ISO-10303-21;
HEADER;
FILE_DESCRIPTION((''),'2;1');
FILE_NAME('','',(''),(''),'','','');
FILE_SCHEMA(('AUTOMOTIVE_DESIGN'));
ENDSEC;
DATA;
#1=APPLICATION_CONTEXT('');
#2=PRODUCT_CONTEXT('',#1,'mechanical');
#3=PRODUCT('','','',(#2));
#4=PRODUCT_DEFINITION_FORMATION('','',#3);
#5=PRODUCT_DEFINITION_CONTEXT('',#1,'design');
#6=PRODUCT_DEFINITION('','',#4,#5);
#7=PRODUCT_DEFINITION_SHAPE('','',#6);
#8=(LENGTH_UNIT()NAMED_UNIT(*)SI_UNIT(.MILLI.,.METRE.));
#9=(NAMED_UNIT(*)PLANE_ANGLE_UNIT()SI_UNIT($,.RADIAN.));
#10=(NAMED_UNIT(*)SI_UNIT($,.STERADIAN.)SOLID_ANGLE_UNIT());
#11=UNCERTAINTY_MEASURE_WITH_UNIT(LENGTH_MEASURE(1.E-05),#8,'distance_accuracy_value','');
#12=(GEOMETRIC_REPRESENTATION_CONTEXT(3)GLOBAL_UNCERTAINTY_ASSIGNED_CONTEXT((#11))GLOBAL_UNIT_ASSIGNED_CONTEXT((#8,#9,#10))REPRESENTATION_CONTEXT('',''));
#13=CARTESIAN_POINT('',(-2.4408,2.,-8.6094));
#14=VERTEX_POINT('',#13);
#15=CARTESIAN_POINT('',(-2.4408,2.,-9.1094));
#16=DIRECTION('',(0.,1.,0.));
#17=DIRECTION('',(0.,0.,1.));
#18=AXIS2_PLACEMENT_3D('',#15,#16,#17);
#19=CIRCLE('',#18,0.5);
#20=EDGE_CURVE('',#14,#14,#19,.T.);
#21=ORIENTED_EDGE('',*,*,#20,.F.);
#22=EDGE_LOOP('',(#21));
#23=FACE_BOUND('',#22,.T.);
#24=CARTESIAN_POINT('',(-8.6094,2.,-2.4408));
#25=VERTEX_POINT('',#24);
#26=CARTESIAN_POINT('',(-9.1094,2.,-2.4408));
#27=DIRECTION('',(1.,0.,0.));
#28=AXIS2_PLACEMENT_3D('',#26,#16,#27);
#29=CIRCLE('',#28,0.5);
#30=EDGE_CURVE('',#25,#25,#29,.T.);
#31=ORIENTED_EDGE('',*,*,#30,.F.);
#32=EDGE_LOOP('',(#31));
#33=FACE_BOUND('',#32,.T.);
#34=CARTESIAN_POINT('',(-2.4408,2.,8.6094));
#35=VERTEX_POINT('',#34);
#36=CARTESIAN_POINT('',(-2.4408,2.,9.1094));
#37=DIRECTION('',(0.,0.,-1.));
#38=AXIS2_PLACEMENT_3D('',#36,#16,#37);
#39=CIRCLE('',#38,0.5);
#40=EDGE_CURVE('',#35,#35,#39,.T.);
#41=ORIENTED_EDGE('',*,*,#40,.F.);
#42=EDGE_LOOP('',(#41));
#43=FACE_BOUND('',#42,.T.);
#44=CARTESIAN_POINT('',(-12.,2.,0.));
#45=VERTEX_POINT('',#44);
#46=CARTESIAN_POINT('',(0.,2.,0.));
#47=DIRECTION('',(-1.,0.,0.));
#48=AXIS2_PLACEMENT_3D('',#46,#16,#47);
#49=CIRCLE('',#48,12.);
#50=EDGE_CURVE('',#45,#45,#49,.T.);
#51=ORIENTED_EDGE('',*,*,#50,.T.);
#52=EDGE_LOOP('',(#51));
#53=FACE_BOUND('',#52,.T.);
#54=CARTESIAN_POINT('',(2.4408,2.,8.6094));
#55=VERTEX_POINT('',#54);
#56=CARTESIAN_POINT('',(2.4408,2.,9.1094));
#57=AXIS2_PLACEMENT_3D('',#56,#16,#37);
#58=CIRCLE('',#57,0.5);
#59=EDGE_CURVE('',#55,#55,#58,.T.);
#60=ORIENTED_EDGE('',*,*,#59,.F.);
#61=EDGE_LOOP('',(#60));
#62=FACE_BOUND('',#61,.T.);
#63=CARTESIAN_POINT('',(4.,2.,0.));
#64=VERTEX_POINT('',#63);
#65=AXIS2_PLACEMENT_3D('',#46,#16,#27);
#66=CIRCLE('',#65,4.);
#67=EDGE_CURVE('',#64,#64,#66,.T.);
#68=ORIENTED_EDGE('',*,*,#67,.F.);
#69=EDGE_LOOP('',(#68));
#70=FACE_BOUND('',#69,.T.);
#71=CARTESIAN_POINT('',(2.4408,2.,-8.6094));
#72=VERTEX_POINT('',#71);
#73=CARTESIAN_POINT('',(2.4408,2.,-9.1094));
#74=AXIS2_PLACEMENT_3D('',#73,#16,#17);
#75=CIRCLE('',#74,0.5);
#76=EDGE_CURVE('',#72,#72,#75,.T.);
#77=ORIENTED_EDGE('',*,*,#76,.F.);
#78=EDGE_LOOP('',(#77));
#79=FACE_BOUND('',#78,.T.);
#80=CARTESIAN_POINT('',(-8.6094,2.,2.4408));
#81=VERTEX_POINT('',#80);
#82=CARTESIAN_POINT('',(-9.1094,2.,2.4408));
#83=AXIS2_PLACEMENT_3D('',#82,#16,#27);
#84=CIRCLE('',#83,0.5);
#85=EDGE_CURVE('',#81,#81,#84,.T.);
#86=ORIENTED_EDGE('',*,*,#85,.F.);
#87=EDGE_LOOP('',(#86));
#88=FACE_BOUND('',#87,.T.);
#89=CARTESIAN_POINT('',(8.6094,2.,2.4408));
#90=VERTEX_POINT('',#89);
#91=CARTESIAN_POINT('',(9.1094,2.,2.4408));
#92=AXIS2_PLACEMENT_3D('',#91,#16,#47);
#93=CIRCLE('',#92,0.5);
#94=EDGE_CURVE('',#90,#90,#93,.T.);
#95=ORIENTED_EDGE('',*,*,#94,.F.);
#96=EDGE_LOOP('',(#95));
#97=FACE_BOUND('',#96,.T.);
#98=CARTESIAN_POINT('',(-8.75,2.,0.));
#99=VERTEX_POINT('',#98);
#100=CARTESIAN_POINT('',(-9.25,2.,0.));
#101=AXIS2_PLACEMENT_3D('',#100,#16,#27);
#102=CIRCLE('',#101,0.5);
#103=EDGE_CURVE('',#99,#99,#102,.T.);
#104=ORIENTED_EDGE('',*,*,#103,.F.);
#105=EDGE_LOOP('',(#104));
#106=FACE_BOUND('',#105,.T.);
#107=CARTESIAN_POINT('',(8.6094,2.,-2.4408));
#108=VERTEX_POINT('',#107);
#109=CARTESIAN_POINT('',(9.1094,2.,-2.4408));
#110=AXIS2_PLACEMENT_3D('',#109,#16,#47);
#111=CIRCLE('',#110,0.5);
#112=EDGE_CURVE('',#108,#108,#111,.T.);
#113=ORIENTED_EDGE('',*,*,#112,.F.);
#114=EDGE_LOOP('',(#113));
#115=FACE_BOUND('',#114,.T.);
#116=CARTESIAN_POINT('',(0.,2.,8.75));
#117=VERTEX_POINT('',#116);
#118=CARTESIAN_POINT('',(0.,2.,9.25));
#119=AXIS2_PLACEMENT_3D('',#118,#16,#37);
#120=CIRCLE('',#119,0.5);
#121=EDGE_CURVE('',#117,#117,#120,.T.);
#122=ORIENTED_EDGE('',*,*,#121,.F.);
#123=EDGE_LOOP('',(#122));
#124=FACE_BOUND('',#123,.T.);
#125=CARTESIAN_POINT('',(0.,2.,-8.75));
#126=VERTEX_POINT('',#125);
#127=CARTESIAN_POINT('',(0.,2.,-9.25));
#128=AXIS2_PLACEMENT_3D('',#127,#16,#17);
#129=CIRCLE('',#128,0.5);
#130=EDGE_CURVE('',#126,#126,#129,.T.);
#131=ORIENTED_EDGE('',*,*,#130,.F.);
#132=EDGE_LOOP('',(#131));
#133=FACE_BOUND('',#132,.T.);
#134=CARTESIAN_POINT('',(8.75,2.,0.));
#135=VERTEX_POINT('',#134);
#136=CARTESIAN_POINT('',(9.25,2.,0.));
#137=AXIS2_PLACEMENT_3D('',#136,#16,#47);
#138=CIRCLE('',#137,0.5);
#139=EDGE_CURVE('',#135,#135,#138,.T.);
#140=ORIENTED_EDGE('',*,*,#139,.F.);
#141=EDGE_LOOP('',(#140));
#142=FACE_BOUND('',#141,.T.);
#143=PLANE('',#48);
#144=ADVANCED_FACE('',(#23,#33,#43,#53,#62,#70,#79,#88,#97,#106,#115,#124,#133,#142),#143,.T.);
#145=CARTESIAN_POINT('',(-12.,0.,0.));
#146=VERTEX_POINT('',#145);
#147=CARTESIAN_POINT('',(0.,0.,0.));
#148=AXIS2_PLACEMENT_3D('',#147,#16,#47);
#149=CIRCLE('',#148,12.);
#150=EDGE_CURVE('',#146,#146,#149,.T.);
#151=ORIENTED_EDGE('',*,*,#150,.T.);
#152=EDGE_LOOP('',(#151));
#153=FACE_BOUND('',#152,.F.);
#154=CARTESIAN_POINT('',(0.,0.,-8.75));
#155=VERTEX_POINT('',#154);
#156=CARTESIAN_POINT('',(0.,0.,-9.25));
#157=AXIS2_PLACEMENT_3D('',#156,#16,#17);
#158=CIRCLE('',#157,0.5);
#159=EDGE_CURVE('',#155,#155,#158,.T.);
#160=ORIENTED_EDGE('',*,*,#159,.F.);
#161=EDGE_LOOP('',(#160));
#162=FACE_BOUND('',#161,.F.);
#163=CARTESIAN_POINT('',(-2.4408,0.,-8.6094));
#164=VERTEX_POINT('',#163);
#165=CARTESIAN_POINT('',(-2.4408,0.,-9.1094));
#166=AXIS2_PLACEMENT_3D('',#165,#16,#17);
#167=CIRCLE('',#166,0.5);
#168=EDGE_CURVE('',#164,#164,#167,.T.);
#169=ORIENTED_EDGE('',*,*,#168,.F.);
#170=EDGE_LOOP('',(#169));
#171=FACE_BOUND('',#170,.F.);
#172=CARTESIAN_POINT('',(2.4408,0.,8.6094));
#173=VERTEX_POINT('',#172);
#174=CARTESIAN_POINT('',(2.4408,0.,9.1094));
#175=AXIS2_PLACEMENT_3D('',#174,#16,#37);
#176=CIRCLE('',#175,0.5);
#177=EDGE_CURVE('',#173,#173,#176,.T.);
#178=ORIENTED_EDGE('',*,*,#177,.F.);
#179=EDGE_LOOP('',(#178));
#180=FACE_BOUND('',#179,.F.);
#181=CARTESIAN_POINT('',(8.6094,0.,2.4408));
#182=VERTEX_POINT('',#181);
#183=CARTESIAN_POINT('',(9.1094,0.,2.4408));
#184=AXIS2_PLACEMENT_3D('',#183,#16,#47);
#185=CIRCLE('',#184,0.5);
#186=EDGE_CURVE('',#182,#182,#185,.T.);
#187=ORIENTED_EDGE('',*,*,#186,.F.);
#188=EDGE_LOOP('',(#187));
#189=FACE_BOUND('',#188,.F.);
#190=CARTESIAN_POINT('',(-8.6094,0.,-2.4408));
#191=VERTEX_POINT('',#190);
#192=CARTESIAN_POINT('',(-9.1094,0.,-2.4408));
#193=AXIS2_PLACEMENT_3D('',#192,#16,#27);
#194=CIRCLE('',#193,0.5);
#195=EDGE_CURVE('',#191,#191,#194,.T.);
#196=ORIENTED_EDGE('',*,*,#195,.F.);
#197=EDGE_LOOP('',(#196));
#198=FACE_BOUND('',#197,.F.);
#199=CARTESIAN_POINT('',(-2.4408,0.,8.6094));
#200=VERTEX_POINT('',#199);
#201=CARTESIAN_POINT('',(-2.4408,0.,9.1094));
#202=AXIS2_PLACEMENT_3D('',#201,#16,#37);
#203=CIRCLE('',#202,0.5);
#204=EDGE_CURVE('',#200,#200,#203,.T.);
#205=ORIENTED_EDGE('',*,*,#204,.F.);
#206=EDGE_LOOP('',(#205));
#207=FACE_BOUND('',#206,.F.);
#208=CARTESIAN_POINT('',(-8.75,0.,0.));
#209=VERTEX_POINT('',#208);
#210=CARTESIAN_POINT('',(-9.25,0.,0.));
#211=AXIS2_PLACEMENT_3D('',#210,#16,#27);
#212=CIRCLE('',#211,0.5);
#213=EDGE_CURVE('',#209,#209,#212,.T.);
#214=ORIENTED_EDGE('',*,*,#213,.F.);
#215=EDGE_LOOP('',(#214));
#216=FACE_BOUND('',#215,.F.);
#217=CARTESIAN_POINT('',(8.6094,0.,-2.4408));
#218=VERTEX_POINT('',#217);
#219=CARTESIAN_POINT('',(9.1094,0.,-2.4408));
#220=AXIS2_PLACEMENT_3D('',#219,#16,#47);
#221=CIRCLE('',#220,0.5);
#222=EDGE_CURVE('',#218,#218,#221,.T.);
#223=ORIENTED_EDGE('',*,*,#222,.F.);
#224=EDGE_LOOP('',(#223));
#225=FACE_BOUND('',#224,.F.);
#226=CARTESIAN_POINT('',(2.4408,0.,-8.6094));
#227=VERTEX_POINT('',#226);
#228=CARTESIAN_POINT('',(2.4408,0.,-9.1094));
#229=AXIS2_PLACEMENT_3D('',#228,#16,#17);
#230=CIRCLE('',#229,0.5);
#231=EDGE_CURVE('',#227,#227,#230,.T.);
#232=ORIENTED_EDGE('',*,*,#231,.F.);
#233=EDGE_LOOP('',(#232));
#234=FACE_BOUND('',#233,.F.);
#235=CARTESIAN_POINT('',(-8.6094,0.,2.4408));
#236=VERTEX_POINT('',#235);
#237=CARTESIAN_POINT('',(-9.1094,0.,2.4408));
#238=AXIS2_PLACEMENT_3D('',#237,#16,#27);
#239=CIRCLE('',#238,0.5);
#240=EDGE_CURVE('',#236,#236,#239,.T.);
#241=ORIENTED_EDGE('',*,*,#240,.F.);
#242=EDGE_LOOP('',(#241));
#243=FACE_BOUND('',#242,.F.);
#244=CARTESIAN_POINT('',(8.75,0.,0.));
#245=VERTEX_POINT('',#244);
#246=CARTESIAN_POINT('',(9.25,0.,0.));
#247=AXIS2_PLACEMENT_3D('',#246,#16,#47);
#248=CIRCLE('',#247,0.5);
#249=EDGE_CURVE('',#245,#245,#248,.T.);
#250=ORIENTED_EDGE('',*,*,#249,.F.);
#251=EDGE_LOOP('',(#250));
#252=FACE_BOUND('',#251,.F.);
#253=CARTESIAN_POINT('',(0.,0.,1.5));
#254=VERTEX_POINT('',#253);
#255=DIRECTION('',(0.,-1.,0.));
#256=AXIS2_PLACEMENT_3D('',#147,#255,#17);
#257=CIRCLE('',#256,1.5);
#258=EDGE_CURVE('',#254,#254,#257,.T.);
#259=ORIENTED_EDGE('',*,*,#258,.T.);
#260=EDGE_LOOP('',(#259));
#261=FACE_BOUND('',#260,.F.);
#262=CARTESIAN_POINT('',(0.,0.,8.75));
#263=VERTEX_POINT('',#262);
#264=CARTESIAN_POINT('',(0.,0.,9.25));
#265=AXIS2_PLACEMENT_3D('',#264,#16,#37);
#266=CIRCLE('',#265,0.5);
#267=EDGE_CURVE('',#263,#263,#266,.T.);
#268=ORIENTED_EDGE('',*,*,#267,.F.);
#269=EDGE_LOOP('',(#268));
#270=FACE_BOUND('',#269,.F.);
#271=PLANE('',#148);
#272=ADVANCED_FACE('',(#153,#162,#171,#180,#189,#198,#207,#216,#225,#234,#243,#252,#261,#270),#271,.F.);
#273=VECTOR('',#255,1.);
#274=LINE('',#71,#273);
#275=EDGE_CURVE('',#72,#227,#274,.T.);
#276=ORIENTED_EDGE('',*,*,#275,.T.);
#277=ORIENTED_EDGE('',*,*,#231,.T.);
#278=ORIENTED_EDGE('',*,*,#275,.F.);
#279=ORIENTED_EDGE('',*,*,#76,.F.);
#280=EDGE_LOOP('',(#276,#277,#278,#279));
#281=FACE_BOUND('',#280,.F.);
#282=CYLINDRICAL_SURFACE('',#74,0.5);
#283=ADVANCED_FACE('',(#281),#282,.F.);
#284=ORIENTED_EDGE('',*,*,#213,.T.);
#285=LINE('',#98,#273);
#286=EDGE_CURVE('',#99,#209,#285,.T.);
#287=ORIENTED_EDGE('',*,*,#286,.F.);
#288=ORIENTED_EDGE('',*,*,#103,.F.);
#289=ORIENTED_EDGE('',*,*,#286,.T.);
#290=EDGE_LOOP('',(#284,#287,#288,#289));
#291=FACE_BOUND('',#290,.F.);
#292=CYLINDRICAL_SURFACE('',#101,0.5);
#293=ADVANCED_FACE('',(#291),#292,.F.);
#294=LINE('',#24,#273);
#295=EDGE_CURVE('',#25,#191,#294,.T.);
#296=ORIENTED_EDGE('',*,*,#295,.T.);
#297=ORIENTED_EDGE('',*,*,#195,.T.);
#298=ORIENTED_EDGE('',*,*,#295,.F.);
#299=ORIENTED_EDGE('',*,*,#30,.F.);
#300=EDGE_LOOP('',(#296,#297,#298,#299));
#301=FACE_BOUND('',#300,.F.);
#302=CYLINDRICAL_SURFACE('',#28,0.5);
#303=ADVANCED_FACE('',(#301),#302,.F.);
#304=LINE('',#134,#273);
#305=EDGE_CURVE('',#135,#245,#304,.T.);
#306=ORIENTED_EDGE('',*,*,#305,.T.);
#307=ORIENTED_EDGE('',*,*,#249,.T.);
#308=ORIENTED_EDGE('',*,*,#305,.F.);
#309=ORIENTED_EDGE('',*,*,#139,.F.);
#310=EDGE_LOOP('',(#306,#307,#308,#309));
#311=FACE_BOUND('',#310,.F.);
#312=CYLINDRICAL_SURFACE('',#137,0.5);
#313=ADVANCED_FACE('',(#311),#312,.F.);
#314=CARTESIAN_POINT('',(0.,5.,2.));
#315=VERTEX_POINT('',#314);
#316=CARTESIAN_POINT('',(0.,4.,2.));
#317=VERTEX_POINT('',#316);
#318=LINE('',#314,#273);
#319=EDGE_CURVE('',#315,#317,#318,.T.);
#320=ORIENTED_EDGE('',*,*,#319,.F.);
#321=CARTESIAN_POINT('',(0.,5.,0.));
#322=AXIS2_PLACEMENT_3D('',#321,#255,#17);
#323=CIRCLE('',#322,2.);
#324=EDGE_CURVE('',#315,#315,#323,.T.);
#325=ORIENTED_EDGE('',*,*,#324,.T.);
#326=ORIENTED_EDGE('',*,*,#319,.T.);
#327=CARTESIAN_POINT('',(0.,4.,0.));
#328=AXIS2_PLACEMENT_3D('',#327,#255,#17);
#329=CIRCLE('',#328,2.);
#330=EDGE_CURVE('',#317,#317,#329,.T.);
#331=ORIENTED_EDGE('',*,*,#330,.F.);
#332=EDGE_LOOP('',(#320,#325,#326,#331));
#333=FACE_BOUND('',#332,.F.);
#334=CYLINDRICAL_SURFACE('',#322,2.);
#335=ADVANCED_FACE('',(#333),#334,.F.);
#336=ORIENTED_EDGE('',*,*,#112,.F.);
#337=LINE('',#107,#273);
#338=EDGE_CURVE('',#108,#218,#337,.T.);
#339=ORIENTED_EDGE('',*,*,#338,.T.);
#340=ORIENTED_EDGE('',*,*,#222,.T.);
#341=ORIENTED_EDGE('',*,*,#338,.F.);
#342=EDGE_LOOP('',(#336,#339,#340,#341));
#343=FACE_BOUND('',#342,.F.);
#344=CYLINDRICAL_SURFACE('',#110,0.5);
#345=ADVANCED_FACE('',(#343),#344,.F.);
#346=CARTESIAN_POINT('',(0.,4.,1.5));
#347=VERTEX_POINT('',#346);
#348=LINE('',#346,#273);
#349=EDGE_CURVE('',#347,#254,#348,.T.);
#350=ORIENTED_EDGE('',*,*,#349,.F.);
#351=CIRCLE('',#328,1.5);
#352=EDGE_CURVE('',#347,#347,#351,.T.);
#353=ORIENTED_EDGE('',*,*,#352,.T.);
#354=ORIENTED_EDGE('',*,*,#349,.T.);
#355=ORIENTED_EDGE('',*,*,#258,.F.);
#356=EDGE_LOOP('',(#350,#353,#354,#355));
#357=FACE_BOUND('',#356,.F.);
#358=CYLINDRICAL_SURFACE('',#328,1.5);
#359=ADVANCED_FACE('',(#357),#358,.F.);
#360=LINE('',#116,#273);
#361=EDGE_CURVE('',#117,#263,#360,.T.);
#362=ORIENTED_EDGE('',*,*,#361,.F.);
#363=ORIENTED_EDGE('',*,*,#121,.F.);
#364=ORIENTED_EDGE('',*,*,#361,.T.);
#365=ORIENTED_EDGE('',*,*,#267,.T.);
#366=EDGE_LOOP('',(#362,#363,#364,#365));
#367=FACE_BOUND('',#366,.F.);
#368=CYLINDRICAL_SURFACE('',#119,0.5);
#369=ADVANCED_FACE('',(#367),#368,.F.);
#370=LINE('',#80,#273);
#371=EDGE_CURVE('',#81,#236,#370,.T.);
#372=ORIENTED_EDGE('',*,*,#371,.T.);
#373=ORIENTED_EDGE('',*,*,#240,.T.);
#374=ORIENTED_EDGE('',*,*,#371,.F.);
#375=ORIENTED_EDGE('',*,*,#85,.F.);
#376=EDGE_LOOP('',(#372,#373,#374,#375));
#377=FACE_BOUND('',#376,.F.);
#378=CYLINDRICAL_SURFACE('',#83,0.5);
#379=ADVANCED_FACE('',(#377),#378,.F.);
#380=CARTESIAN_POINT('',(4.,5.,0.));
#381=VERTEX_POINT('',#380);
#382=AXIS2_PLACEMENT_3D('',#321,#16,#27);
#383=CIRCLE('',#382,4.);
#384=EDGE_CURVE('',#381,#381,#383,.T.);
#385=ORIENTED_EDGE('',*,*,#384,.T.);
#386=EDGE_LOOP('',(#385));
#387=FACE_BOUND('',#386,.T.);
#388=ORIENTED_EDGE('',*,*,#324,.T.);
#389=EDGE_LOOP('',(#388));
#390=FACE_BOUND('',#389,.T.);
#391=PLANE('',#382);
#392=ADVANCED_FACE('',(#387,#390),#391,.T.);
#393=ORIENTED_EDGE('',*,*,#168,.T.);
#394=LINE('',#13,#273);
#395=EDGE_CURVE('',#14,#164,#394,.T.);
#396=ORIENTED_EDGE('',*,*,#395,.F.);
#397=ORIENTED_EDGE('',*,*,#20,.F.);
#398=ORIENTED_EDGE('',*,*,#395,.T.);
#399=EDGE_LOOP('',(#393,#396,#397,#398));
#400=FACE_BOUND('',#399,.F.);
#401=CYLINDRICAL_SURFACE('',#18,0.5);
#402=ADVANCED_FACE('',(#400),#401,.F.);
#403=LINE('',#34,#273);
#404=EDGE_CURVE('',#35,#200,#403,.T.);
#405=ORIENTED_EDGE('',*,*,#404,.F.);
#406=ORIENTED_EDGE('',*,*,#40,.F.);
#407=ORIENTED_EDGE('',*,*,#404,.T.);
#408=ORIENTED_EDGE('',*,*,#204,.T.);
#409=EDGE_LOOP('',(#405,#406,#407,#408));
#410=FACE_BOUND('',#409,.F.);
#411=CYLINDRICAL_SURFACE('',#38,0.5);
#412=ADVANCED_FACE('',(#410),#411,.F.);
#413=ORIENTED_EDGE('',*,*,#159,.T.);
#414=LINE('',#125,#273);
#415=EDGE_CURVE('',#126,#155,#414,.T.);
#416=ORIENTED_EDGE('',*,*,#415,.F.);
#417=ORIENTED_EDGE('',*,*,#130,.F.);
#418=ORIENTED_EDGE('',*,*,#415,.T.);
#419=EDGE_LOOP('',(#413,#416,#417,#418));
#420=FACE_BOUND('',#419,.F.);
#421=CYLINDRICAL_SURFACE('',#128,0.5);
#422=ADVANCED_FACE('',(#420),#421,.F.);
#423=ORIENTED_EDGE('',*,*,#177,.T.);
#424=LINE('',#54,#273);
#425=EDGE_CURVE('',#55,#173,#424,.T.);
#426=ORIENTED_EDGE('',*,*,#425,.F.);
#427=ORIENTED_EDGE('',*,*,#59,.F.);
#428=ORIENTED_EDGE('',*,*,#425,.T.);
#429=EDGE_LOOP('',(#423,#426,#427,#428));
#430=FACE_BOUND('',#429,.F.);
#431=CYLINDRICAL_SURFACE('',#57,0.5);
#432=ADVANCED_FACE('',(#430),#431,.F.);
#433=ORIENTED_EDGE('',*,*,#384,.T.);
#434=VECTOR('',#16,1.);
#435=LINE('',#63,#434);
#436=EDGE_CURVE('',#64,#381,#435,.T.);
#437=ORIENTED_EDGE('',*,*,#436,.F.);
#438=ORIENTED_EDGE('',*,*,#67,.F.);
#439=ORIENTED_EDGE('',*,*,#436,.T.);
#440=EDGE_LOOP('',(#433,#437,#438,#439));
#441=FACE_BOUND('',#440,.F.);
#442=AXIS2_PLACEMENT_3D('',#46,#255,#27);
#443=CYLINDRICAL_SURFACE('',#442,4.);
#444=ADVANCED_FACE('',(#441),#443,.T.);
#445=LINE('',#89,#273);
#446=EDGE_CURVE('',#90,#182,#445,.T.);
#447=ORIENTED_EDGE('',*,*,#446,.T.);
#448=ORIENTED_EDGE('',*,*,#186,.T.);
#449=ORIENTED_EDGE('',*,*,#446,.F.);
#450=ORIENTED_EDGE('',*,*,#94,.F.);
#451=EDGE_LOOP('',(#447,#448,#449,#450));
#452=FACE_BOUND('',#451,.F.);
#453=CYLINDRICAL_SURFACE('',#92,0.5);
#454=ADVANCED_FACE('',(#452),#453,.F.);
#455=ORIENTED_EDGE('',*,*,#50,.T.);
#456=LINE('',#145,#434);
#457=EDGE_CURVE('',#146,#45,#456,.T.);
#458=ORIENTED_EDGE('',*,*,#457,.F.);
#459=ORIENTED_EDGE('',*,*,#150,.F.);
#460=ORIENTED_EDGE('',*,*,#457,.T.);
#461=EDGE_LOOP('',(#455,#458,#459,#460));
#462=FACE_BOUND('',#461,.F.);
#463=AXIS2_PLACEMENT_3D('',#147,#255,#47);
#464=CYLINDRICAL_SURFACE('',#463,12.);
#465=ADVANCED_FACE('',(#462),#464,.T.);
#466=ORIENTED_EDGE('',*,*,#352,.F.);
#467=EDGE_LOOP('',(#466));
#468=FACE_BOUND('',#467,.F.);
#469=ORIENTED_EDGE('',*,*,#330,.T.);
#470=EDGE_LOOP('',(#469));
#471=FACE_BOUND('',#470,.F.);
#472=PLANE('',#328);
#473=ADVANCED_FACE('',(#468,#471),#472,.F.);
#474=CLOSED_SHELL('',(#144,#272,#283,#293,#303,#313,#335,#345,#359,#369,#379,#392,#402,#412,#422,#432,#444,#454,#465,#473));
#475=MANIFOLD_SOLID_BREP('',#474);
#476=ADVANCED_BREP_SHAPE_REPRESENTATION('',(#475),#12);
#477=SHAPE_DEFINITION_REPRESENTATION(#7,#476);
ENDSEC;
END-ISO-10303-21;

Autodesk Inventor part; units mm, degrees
ref_plane "YZ Plane" through (0, 0, 0) normal (1, 0, 0) x (0, 1, 0)
ref_plane "XZ Plane" through (0, 0, 0) normal (0, 1, 0) x (-1, 0, 0)
ref_plane "XY Plane" through (0, 0, 0) normal (0, 0, 1) x (1, 0, 0)
sketch "Sketch1" plane through (0, 0, 0) normal (0, 1, 0) x (-1, 0, 0)
  circle A0 centre (0, 0) radius 12
  dimension "d0" = 24
extrude "Extrusion1" add sketch "Sketch1" along normal blind 2
sketch "Sketch2" plane through (0, 2, 0) normal (0, 1, 0) x (1, 0, 0)
  circle A0 centre (0, 0) radius 4
  dimension "d3" = 8
extrude "Extrusion2" add sketch "Sketch2" along normal blind 3
sketch "Sketch3" plane through (0, 5, 0) normal (0, 1, 0) x (1, 0, 0)
  point P0 (0, 0)
  point P1 (0, 0)
hole "Hole1" at (0, 5, 0) direction (0, -1, 0) diameter 3 end through all counterbore diameter 4 counterbore depth 1
sketch "Sketch4" plane through (0, 2, 0) normal (0, 1, 0) x (1, 0, 0)
  circle A0 centre (-9.25, 0) radius 0.5
  line L0 (0, 0) -> (-9.25, 0) construction
  line L1 (0, 0) -> (-9.1094, 2.4408) construction
  line L2 (0, 0) -> (-9.1094, -2.4408) construction
  circle A1 centre (-9.1094, 2.4408) radius 0.5
  circle A2 centre (-9.1094, -2.4408) radius 0.5
  circle A3 centre (0, 0) radius 12 projected
  circle A4 centre (12, 0) radius 21.25 construction
  dimension "d13" = 15
  dimension "d14" = 15
  dimension "d15" = 1
  dimension "d16" = 1
  dimension "d17" = 1
  dimension "d25" = 9.25
extrude "Extrusion3" cut sketch "Sketch4" against normal through all contours A0 | A1 | A2
pattern_circular "Circular Pattern1" count 4 over 360 about axis through (0, -29.8074, 0) along (0, 1, 0) of "Extrusion3"
properties part number "Servo wheel"
